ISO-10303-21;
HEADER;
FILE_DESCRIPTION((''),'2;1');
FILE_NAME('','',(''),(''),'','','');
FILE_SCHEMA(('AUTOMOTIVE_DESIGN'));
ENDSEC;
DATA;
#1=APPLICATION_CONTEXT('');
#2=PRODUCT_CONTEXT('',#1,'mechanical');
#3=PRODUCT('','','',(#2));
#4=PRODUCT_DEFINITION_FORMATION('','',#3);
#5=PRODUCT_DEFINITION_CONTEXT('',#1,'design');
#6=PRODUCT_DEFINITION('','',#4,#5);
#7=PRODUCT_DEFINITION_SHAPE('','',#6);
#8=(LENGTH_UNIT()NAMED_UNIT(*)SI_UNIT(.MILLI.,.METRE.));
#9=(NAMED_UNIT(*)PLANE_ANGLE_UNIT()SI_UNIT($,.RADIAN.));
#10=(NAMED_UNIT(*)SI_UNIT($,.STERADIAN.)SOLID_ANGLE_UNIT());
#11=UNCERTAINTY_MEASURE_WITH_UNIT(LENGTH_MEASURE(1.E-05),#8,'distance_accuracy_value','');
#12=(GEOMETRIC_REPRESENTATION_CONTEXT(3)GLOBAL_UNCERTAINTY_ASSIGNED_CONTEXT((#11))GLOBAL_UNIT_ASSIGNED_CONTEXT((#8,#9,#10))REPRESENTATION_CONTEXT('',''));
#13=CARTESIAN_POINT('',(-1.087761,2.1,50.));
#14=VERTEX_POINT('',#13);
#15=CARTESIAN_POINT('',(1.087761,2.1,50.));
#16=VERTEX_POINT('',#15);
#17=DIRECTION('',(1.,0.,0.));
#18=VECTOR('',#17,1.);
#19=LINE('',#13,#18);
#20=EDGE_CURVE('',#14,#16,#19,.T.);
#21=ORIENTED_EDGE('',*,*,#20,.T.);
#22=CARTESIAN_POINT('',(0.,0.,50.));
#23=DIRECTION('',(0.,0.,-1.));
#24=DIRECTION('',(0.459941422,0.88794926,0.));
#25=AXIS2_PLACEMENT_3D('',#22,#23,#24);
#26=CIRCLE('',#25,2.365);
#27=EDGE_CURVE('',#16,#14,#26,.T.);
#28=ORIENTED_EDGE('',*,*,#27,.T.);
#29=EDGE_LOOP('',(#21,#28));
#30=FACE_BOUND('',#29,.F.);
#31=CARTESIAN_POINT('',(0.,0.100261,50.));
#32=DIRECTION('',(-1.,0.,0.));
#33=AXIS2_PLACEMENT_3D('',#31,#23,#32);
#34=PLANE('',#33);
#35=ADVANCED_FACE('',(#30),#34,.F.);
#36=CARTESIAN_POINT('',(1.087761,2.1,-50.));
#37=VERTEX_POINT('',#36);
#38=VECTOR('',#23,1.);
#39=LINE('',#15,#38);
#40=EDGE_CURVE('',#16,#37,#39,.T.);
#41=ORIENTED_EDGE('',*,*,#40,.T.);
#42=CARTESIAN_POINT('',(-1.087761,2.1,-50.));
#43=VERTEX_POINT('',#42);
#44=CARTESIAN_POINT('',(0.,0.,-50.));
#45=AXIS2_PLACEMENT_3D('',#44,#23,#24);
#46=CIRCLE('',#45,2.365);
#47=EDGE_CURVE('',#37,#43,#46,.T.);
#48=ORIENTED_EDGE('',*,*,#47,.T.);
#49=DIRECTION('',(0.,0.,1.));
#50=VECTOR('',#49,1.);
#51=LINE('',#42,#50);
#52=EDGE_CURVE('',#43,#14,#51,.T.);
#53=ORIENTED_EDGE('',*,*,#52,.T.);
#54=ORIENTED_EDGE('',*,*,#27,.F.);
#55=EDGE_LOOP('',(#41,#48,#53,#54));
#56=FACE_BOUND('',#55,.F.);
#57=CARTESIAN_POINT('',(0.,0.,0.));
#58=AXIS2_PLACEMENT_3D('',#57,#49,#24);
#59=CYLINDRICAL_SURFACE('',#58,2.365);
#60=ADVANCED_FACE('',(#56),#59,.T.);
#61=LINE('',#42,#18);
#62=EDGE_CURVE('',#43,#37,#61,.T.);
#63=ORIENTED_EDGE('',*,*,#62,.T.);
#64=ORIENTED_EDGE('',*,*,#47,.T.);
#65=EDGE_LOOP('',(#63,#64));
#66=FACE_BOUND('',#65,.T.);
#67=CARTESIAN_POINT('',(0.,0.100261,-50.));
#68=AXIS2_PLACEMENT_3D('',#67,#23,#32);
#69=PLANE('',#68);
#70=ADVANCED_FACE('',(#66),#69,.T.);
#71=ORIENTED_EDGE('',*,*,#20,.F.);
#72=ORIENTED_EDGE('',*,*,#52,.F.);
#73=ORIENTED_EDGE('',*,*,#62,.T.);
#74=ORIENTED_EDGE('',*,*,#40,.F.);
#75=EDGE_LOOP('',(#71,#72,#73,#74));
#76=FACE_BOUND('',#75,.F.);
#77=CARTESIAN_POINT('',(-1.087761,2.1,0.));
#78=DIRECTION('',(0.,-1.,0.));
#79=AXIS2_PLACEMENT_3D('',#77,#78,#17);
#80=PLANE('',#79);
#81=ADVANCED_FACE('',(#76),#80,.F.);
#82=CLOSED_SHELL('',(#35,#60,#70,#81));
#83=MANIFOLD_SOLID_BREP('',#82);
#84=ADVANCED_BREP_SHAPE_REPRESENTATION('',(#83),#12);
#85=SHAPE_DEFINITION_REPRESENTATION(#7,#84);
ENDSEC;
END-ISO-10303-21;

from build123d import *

# Parameters (mm, degrees)
EXTRUDE1_DEPTH = 50


with BuildPart() as part:
    # Sketch1 → Extrude1 (new body, symmetric)
    with BuildSketch(Plane.XY):
        with BuildLine():
            Line((-1.087761463, 2.1), (1.087761463, 2.1))
            ThreePointArc((1.087761463, 2.1), (0, -2.365), (-1.087761463, 2.1))
        make_face()
    extrude(amount=EXTRUDE1_DEPTH, both=True)


solid = part.part
